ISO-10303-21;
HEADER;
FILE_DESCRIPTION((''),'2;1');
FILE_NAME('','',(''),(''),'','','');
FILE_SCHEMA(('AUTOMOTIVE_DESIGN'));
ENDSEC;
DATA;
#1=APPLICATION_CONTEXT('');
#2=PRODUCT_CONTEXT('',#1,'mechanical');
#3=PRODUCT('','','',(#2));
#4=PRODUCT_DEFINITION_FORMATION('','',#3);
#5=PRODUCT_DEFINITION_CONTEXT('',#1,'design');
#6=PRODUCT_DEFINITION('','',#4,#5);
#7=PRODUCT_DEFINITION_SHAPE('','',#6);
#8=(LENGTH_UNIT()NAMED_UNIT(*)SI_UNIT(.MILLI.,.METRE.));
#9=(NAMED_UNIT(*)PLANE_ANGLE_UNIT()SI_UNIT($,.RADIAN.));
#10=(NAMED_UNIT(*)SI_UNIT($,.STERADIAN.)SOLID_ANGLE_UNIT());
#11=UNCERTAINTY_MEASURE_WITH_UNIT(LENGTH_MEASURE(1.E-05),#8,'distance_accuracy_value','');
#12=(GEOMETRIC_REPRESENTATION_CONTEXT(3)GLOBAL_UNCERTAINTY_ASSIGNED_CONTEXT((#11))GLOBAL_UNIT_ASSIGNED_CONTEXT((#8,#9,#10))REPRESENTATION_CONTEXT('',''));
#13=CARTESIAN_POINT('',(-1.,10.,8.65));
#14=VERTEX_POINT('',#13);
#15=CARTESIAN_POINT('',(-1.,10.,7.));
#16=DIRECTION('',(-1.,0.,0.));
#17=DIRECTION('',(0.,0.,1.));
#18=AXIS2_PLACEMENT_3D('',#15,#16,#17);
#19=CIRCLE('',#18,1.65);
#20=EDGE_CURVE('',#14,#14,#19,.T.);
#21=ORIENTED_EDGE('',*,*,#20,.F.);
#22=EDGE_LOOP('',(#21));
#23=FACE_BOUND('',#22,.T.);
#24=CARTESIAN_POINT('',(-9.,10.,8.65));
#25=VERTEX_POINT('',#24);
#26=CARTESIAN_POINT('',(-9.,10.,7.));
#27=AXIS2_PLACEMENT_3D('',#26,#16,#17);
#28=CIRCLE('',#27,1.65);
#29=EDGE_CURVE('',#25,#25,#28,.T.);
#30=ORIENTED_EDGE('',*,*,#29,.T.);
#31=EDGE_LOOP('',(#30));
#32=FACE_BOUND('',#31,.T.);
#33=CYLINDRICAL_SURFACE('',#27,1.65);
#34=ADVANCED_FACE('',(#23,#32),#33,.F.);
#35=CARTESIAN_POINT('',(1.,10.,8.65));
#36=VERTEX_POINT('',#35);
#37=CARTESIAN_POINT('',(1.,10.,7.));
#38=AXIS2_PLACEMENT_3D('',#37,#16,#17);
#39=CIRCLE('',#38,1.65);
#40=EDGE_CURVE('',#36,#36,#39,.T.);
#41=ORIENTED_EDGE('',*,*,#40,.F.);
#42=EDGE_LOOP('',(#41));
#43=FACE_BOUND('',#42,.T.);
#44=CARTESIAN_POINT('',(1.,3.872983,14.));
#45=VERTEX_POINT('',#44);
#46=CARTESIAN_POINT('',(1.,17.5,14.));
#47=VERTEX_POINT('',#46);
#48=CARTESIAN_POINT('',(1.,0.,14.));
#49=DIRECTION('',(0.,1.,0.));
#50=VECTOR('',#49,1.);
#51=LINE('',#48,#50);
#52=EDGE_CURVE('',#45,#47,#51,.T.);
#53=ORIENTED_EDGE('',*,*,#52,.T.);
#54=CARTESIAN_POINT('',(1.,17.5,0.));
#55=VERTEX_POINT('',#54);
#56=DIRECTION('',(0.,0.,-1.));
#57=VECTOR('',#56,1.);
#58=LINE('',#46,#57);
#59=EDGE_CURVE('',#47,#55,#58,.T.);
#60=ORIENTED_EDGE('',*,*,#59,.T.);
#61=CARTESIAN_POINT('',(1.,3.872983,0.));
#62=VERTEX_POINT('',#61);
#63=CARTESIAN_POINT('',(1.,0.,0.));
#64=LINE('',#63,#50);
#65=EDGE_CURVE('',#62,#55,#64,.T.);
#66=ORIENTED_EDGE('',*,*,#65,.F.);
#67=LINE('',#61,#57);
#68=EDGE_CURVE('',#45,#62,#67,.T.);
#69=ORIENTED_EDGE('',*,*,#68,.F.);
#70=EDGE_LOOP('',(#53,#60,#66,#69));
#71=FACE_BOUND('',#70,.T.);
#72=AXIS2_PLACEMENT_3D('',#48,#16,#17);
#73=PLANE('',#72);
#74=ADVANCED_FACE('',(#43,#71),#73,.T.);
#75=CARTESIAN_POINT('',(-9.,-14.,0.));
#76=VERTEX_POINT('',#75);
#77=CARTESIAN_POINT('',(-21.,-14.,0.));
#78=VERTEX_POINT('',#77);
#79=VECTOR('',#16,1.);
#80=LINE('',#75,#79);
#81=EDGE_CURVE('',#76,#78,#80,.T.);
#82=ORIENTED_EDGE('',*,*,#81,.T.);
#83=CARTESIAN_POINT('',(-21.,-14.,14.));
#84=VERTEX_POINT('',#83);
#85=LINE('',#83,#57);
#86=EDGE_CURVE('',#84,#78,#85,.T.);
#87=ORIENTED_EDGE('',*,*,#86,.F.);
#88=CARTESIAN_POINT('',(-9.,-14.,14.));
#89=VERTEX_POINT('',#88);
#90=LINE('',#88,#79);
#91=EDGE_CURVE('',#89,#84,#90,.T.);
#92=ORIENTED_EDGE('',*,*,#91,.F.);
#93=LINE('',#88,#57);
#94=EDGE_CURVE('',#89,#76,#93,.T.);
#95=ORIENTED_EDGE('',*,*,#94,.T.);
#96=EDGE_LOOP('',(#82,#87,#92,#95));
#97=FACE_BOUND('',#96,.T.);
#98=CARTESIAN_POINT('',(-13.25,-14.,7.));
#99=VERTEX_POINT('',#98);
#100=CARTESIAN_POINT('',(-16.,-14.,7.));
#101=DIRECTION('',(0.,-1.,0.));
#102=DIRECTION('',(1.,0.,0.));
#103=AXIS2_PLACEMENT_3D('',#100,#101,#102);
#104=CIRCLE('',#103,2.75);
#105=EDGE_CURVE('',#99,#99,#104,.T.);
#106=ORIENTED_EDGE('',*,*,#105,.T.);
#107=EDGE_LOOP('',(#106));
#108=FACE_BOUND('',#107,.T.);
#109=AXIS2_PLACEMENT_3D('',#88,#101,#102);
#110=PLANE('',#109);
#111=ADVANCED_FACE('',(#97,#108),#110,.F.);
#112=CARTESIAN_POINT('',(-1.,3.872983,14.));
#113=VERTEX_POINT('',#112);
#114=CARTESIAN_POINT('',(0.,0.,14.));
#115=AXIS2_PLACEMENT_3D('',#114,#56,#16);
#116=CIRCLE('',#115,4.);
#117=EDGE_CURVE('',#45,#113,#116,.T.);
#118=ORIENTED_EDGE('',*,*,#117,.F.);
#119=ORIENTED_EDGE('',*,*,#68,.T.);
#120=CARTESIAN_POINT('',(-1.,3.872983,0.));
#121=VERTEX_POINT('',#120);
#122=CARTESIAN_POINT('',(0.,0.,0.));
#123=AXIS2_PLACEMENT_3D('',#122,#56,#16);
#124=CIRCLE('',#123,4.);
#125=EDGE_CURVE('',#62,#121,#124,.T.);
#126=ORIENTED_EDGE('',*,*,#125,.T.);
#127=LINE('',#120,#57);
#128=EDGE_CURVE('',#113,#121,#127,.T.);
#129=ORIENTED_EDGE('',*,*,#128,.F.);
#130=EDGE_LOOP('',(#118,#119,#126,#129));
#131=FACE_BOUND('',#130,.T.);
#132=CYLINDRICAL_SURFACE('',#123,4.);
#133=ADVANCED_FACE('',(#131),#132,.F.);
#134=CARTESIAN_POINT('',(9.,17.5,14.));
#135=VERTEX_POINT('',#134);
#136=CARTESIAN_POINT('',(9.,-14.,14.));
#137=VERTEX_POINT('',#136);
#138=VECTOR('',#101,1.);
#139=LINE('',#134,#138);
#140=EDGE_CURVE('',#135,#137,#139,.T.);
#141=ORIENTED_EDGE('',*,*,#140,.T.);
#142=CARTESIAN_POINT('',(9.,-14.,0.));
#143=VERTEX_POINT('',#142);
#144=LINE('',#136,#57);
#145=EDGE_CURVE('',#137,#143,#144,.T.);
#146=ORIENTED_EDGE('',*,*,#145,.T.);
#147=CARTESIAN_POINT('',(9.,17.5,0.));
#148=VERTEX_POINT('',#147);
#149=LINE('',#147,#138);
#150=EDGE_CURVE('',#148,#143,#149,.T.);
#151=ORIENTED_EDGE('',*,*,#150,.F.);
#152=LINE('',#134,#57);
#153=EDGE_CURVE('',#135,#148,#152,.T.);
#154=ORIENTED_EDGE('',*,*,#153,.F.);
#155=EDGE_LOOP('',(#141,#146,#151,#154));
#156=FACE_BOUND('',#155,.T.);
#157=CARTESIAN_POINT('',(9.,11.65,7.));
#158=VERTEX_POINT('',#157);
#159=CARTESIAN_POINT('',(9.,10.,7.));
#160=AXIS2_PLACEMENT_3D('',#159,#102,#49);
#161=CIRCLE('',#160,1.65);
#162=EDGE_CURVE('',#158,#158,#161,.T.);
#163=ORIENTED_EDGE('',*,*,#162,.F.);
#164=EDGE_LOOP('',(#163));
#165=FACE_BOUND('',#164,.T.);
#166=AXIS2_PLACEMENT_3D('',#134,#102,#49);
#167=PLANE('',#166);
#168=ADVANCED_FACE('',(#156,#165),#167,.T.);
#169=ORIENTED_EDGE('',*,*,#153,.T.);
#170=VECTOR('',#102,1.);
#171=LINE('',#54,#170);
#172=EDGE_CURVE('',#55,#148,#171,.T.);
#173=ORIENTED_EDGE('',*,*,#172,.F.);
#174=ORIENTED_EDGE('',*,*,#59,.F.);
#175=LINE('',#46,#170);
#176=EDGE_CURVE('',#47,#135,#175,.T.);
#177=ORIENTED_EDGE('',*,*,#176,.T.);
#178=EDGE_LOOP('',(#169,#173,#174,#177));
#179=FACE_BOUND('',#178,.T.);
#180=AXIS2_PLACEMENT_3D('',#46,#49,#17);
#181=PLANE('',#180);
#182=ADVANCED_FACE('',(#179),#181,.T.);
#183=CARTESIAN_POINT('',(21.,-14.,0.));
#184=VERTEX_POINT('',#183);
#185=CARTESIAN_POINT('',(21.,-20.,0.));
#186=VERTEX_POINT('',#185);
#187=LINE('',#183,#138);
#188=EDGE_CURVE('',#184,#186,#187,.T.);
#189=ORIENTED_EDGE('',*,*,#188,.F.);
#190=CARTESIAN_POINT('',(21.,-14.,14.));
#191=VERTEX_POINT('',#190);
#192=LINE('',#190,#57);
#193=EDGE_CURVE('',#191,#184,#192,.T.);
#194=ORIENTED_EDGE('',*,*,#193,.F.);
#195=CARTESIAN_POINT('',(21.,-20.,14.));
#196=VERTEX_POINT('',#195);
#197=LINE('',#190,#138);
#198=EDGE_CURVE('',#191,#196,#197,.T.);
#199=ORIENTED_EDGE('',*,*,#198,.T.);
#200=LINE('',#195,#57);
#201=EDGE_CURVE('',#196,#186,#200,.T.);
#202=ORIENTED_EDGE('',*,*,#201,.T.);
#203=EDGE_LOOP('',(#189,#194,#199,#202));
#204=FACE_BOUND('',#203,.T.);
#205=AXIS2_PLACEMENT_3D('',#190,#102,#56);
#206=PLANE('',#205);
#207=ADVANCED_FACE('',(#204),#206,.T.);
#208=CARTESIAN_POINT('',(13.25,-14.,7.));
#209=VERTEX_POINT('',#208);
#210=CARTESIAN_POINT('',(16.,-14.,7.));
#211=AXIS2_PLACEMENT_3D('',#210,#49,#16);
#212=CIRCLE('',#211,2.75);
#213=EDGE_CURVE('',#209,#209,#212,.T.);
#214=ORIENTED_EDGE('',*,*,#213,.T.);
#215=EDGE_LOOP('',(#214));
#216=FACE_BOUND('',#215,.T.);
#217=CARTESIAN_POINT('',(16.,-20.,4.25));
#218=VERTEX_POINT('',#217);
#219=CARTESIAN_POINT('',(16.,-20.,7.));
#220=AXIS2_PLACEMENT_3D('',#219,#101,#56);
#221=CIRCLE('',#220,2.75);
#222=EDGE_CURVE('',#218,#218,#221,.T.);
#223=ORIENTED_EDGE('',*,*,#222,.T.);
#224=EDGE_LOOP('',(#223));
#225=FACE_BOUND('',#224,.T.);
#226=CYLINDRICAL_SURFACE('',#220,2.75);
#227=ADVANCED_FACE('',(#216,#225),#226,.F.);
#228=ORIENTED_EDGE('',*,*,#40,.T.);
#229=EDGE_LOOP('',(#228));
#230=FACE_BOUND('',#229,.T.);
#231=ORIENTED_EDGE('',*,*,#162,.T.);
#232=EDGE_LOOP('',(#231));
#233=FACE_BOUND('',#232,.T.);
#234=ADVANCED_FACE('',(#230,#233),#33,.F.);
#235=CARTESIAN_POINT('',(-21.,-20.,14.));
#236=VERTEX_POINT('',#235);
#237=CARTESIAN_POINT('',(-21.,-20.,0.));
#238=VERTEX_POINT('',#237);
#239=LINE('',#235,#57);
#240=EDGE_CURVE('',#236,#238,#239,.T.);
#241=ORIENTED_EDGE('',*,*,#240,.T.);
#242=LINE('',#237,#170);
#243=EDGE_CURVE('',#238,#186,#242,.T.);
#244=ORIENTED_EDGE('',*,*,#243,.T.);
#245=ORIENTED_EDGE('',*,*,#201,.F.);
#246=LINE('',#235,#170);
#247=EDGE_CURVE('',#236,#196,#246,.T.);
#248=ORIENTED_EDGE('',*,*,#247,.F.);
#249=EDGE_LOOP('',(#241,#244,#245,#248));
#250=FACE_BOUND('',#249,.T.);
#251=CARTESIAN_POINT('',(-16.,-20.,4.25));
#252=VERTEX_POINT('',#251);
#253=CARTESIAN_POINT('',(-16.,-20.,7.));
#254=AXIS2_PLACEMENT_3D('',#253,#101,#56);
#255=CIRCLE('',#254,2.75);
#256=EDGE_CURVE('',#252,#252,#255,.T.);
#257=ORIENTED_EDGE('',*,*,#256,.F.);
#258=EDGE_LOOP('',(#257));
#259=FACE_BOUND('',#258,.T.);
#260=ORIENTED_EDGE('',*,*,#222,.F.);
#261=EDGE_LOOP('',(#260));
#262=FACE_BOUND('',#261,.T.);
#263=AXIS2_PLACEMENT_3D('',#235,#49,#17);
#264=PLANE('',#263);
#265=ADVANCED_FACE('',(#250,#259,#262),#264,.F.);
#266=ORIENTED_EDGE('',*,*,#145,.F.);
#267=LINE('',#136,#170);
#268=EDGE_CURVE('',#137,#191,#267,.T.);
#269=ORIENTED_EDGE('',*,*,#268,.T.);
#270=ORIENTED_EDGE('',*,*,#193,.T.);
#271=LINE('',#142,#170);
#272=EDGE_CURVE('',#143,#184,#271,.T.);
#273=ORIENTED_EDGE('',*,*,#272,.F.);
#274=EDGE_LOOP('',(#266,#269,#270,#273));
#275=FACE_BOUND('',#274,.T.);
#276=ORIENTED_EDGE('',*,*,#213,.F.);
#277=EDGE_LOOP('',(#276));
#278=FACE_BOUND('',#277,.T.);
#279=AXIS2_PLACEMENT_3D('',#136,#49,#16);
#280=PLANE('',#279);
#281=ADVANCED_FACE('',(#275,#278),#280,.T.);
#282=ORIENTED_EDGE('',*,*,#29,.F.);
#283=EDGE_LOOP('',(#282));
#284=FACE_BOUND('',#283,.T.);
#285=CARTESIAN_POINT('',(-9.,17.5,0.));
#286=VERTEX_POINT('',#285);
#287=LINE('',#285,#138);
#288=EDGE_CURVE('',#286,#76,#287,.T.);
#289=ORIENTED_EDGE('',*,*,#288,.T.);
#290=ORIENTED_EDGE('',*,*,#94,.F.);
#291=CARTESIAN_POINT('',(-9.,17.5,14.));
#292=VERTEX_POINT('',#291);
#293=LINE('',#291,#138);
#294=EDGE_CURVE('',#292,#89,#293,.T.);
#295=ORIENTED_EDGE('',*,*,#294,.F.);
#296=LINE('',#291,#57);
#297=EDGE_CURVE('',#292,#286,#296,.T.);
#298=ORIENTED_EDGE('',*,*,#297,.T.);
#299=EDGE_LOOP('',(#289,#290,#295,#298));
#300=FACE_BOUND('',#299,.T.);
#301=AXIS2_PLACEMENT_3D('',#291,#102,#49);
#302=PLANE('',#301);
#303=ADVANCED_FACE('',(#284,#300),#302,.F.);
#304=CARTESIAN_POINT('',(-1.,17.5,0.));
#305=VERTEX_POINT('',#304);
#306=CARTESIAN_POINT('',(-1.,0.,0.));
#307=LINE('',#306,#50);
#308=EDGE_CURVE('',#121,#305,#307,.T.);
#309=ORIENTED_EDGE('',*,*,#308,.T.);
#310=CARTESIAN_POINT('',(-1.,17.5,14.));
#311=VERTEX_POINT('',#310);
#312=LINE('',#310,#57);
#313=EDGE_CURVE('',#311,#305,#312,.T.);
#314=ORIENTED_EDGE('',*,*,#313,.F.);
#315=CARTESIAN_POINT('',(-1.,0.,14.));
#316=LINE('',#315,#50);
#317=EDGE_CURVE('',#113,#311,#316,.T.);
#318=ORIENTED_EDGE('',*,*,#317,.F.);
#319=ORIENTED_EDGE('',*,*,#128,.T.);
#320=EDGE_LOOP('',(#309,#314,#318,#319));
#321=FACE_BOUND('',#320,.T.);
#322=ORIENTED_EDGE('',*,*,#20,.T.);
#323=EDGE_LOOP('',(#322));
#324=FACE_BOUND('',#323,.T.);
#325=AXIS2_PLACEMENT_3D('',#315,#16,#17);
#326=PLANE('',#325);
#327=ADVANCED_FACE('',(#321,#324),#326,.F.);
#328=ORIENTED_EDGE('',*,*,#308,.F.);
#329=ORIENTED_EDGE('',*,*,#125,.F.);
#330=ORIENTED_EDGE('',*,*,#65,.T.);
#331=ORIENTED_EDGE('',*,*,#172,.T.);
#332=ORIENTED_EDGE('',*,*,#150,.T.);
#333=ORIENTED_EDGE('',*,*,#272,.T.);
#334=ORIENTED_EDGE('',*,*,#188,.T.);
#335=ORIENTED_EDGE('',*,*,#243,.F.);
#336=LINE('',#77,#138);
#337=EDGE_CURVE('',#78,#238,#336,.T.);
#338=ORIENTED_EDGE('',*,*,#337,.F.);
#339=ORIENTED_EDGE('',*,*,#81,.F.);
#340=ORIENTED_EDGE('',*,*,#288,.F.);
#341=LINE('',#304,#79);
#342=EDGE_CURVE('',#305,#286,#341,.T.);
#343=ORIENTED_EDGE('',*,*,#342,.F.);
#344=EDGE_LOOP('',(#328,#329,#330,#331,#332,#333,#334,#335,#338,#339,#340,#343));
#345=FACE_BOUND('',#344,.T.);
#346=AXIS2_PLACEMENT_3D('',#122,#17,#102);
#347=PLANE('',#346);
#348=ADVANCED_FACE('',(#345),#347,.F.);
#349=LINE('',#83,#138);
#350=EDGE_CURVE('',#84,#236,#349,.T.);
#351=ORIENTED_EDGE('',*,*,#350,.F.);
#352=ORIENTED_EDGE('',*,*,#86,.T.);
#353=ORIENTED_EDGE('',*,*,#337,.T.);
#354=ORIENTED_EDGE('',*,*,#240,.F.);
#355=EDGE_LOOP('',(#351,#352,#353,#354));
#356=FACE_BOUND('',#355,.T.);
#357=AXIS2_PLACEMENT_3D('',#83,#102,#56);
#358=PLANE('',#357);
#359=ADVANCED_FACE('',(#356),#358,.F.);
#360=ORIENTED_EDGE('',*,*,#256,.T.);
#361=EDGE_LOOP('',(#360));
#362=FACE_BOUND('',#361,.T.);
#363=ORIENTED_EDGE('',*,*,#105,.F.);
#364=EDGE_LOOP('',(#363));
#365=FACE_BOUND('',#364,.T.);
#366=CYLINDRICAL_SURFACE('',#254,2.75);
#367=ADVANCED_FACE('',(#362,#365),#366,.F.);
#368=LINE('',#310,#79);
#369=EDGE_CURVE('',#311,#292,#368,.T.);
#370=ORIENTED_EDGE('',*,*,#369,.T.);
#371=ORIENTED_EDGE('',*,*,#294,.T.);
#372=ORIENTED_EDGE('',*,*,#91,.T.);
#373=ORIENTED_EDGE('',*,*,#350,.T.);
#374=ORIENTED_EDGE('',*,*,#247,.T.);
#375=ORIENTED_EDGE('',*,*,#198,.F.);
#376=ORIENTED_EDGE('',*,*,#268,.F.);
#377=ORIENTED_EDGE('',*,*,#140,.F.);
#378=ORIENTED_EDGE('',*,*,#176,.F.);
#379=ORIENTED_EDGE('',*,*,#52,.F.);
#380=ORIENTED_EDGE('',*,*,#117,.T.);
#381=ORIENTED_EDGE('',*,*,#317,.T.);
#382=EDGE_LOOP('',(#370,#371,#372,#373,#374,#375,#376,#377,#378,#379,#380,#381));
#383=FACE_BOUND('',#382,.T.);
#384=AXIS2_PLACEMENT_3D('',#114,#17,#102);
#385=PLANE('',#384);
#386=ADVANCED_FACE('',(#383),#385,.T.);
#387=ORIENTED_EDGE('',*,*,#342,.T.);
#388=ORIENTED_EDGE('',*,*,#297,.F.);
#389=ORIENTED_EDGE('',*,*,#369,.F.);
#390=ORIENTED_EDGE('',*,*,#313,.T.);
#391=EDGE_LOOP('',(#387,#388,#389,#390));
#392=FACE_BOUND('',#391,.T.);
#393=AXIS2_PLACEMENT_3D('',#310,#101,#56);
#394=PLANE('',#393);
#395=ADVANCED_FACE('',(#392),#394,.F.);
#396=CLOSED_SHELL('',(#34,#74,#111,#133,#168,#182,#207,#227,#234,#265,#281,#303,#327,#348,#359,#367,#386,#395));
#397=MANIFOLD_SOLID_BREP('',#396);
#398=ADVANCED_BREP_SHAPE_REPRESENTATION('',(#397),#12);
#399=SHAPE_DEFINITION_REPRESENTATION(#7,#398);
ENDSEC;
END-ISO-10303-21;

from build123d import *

# Parameters (mm, degrees)
BOSS_EXTRUDE1_DEPTH         = 14
TAP_DRILL_FOR_M4X0_7_TAP2_D = 3.3
F_12_0_12_DIAMETER_HOLE1_D  = 8
TAP_DRILL_FOR_M5X0_8_TAP1_D = 5.5


with BuildPart() as part:
    # Sketch2 → Boss-Extrude1 (new body)
    with BuildSketch(Plane.XY):
        Polygon((-1, 0), (-1, 17.5), (-9, 17.5), (-9, -14), (-21, -14), (-21, -20), (0, -20), (0, 0), align=None)
    boss_extrude1 = extrude(amount=BOSS_EXTRUDE1_DEPTH)

    # Mirror1: Boss-Extrude1 across plane
    add(boss_extrude1.mirror(Plane(origin=(0, -20, 14), x_dir=(0, 0, 1), z_dir=(-1, 0, 0))))

    # Tap Drill for M4x0.7 Tap2 (through all)
    with Locations(Plane.ZY.offset(9)):
        with Locations((7, 10)):
            Hole(TAP_DRILL_FOR_M4X0_7_TAP2_D / 2)

    # Ø12.0 (12) Diameter Hole1 (through all)
    with Locations(Plane(origin=(0, 0, 0), x_dir=(1, 0, 0), z_dir=(0, 0, -1))):
        with Locations((0, 0)):
            Hole(F_12_0_12_DIAMETER_HOLE1_D / 2)

    # Tap Drill for M5x0.8 Tap1 (through all)
    with Locations(Plane(origin=(0, -20, 0), x_dir=(-1, 0, 0), z_dir=(0, -1, 0))):
        with Locations((-16, -7), (16, -7)):
            Hole(TAP_DRILL_FOR_M5X0_8_TAP1_D / 2)


solid = part.part
